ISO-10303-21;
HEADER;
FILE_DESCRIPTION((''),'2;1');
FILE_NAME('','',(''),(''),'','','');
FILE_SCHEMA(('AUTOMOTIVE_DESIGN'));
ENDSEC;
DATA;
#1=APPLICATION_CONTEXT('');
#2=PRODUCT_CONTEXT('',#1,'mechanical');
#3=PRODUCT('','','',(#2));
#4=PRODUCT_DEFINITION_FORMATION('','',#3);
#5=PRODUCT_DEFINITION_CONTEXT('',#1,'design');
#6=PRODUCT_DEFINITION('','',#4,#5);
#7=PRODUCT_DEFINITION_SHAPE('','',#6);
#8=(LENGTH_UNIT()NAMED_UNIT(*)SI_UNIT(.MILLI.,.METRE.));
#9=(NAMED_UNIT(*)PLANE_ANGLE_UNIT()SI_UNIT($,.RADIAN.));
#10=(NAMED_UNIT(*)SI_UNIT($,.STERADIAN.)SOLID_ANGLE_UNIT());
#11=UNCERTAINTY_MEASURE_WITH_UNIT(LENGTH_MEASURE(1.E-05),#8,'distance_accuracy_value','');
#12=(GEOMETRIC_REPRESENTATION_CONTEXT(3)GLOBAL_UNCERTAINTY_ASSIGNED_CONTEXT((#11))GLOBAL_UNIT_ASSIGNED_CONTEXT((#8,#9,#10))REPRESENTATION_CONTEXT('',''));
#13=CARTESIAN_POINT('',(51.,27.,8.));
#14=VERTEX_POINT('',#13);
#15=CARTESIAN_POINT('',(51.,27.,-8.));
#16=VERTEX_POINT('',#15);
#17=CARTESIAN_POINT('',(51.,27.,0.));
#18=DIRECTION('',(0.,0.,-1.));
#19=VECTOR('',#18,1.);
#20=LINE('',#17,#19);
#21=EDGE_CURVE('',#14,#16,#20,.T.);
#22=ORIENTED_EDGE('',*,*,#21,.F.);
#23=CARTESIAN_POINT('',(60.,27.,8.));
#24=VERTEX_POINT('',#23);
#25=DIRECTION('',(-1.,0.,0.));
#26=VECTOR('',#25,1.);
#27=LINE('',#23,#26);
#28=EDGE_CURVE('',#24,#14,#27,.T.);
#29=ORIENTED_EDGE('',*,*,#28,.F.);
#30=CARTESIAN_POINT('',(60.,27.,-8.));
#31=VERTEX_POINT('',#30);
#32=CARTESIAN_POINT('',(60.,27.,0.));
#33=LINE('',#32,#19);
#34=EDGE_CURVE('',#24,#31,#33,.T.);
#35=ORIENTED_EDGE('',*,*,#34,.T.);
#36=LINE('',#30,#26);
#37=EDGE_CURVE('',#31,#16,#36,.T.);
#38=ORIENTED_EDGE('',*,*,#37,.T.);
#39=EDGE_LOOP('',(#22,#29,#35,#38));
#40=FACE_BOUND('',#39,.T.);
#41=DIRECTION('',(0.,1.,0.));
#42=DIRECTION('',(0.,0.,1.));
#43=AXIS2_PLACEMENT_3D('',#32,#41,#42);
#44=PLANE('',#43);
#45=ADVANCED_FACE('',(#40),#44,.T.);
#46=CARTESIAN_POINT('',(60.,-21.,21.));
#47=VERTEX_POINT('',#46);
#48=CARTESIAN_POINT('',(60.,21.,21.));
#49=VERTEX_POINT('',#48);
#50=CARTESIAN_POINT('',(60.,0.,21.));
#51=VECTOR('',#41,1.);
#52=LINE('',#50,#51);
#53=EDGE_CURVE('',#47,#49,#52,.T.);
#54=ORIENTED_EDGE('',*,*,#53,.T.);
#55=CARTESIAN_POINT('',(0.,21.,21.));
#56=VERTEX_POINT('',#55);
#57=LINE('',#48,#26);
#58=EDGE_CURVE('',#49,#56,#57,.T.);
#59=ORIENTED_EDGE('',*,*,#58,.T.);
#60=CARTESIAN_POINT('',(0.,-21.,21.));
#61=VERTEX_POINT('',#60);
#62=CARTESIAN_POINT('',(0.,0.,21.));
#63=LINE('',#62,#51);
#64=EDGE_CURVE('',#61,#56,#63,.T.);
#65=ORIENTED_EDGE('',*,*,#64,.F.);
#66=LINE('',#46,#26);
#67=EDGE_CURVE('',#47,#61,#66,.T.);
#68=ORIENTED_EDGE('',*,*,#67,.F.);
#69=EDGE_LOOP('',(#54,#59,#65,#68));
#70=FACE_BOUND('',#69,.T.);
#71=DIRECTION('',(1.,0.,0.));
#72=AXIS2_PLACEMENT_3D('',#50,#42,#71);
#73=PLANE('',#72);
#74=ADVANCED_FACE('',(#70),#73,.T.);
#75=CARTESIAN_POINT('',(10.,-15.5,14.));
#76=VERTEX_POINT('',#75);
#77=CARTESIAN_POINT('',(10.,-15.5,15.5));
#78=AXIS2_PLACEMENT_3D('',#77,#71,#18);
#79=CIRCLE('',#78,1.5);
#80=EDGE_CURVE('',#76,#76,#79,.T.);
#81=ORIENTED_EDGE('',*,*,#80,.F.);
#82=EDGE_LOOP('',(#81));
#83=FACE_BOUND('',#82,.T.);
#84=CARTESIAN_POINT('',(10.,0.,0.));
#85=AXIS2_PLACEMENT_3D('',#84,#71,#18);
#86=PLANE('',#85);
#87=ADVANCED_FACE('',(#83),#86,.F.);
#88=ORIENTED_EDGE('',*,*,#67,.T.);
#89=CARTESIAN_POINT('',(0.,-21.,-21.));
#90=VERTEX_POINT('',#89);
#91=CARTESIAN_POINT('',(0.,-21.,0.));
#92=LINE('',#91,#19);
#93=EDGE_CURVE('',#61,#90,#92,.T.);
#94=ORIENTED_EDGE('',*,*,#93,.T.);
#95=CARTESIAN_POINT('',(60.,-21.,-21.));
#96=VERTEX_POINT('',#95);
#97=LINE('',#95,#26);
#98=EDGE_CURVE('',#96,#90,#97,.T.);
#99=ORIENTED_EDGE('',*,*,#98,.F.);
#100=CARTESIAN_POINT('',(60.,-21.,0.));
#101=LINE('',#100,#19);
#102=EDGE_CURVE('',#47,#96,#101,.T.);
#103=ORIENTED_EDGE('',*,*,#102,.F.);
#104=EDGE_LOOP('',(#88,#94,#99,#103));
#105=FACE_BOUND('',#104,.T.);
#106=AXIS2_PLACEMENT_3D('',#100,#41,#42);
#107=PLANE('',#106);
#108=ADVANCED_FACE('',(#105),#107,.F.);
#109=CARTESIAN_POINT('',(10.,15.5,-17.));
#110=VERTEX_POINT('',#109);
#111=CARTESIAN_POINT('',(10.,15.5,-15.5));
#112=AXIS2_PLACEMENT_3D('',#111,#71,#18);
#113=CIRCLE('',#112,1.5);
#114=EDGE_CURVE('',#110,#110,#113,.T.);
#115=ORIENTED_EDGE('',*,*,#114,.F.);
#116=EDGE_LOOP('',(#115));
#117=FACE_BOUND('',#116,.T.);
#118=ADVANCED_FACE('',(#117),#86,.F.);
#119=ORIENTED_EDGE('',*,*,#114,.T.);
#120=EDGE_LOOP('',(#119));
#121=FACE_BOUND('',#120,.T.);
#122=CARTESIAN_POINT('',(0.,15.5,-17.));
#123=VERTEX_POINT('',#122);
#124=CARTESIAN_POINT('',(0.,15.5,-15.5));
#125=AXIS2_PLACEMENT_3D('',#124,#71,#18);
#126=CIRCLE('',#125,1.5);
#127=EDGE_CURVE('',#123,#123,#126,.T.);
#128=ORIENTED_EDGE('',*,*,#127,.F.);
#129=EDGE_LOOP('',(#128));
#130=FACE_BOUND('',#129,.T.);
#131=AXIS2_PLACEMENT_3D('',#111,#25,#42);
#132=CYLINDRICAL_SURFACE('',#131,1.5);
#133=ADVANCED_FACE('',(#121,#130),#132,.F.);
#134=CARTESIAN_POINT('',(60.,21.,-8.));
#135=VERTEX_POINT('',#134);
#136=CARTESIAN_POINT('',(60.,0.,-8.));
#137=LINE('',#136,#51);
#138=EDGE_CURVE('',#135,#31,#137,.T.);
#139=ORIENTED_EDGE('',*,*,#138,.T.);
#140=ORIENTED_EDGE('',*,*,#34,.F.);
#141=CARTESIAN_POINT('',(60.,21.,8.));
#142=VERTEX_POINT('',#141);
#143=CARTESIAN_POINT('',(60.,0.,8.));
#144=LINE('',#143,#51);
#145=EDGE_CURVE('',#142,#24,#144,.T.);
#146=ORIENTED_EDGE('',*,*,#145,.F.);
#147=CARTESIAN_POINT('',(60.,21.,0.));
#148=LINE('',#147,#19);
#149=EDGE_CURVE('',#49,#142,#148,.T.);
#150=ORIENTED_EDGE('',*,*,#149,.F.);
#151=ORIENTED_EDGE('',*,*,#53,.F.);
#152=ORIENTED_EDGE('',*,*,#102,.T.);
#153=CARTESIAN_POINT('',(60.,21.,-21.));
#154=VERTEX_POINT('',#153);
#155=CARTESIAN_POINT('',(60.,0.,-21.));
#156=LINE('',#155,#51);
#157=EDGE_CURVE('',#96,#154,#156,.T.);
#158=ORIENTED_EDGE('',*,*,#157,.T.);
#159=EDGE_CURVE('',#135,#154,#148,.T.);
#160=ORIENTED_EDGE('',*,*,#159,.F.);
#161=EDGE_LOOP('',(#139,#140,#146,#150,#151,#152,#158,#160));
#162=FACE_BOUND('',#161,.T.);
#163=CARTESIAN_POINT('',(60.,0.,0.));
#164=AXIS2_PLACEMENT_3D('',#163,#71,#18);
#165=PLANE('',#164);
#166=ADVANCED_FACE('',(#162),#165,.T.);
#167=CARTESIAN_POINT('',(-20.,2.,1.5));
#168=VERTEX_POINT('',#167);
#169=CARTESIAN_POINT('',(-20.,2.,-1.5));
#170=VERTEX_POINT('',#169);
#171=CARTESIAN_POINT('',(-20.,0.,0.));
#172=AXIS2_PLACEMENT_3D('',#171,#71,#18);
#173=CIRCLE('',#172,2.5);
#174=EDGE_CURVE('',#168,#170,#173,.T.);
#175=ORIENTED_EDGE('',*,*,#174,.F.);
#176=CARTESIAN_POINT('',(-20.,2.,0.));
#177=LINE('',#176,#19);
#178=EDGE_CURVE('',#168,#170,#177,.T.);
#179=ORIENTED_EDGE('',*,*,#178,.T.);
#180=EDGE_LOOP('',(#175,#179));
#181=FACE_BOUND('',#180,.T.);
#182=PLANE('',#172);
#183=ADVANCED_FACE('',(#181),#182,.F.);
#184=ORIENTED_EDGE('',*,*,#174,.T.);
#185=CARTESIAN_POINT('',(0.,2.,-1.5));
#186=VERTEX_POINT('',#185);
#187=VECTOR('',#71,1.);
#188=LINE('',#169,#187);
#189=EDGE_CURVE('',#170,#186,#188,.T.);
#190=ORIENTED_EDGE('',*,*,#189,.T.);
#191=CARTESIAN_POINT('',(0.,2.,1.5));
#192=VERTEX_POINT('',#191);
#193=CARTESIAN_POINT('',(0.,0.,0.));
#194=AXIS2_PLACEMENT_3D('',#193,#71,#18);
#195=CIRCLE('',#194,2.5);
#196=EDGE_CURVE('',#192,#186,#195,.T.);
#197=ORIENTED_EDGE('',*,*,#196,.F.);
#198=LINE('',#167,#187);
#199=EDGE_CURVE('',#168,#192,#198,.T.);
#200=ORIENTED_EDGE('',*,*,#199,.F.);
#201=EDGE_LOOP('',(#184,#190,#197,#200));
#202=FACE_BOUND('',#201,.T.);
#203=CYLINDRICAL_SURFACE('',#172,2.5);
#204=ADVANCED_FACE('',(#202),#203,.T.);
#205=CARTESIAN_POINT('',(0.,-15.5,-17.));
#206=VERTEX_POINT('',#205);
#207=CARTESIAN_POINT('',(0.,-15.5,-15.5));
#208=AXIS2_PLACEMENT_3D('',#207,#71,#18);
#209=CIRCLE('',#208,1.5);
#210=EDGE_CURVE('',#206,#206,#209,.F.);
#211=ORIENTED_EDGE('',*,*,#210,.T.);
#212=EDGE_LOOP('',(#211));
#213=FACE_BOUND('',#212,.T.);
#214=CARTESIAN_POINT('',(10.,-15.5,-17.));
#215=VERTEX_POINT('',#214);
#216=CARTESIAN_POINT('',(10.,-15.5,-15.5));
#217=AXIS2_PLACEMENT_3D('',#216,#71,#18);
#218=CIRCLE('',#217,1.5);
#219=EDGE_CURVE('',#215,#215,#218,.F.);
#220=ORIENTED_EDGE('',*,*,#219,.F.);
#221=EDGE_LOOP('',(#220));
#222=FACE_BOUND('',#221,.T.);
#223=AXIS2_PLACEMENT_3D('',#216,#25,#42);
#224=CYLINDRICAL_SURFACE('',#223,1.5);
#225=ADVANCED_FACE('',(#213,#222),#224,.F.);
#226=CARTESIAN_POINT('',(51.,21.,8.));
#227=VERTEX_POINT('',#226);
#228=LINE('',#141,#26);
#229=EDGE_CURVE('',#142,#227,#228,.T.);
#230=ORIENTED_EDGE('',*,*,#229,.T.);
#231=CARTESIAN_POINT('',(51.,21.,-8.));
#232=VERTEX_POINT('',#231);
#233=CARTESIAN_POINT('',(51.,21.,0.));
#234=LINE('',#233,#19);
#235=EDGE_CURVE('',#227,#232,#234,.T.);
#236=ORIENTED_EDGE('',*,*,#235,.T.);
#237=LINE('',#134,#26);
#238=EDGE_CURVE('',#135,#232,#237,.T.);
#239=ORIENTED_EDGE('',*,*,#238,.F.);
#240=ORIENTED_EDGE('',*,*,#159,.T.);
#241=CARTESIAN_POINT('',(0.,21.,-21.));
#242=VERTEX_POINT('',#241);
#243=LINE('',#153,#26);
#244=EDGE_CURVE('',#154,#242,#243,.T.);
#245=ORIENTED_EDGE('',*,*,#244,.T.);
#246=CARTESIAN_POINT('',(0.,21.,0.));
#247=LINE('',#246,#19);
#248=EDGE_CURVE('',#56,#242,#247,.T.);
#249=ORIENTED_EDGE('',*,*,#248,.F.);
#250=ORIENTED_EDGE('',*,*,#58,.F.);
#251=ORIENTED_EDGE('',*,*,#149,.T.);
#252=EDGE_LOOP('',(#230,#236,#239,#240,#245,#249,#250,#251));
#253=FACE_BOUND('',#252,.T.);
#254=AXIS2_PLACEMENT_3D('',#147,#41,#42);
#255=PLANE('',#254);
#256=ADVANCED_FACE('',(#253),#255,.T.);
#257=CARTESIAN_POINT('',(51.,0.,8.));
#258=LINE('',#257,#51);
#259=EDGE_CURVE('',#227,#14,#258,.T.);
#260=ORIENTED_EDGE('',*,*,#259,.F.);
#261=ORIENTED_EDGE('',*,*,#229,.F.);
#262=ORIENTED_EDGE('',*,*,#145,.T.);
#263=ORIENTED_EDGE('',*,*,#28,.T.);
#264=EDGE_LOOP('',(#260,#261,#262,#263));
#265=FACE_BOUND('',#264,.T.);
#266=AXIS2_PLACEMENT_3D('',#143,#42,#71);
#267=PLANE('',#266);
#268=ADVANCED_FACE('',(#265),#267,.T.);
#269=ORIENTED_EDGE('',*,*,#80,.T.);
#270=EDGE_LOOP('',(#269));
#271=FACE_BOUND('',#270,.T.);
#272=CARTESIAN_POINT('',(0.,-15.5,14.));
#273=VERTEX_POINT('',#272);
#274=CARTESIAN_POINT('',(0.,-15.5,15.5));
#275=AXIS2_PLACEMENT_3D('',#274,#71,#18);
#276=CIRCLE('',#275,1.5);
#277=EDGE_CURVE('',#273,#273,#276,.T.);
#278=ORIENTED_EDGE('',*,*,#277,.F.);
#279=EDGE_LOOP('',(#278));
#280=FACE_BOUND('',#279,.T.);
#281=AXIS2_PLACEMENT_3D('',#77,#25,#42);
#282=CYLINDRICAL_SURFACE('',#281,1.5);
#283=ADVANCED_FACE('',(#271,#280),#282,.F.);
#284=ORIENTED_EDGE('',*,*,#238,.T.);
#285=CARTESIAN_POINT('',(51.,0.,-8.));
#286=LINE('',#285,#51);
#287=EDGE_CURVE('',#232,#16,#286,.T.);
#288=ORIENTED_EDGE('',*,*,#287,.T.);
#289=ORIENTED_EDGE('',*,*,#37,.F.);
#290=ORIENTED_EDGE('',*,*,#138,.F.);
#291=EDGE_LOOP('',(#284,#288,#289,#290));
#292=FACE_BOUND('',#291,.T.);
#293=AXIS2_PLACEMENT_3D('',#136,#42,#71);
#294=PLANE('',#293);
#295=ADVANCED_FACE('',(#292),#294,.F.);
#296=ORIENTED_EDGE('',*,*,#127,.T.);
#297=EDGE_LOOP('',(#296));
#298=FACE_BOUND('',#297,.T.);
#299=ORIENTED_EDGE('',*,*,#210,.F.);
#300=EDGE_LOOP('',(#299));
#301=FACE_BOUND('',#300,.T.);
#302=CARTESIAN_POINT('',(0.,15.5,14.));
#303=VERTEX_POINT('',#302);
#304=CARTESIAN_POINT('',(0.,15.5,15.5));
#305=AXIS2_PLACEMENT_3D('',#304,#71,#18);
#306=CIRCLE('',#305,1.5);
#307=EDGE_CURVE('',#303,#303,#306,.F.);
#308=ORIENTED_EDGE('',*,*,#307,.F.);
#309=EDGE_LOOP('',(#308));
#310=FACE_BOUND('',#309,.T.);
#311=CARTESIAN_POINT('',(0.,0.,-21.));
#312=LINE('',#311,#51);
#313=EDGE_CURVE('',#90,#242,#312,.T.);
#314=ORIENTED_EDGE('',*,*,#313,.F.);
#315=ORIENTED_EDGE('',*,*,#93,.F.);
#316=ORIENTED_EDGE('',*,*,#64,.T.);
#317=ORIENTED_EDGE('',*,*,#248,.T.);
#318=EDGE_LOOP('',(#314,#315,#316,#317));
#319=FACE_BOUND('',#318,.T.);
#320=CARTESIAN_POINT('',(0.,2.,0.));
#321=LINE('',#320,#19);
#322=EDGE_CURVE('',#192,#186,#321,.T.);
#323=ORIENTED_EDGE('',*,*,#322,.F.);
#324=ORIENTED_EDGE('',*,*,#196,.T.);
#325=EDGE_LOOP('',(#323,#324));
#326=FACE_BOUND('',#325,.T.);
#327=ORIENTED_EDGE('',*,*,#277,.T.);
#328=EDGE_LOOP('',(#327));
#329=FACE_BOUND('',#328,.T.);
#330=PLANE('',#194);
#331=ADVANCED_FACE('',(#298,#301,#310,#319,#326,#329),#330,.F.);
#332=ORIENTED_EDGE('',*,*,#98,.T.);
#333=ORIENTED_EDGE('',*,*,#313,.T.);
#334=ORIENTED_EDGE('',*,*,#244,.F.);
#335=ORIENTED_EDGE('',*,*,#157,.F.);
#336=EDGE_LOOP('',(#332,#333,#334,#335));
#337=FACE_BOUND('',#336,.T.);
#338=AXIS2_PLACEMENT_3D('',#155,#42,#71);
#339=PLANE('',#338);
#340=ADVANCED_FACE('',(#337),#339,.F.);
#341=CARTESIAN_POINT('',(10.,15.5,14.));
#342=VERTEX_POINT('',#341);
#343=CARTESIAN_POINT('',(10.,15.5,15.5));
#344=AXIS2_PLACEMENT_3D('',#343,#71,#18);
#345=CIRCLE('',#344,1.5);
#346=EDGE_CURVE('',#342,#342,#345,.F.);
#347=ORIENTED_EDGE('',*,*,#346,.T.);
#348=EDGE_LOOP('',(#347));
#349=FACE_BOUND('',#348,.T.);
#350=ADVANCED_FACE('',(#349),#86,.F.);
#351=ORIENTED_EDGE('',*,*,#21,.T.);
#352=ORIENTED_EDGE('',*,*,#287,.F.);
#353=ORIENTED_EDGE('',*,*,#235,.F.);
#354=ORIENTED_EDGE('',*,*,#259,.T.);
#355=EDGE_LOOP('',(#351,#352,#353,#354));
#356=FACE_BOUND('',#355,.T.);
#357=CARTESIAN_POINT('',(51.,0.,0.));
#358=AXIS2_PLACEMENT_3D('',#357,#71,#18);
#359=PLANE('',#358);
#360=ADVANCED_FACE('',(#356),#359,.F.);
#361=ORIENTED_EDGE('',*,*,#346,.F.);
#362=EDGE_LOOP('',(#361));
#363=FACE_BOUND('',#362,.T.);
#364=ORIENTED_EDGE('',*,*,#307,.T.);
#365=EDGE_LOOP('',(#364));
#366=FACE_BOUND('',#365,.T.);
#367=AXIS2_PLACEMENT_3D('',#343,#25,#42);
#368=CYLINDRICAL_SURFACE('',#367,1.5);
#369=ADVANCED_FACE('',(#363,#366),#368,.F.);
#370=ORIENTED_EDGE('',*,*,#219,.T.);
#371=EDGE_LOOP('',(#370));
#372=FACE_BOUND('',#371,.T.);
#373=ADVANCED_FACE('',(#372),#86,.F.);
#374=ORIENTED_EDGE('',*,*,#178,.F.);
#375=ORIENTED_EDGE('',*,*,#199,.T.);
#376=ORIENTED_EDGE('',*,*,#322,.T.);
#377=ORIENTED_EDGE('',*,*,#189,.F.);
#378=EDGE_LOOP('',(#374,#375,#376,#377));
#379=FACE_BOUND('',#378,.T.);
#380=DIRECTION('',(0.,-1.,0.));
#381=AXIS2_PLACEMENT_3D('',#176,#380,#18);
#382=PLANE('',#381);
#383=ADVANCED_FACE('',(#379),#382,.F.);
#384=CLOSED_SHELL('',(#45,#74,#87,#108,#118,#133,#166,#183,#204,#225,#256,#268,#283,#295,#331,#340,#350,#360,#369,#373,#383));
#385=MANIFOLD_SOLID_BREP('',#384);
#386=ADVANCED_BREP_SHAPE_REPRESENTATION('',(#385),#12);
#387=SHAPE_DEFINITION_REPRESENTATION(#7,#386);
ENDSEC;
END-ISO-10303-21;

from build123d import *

# Parameters (mm, degrees)
SKETCH_2_W          = 42
SKETCH_2_H          = 42
SKETCH_2_R          = 1.5
EXTRUDE_1_DEPTH     = 60
EXTRUDE_2_DEPTH     = 20
SKETCH_2_4_W        = 16
SKETCH_2_4_H        = 6
EXTRUDE_3_DEPTH     = 60
SKETCH_2_5_W        = 16
SKETCH_2_5_H        = 6
CUT_EXTRUDE_1_DEPTH = 51
SKETCH_2_6_R        = 1.5
EXTRUDE_4_DEPTH     = 60
SKETCH_2_7_R        = 1.5
CUT_EXTRUDE_2_DEPTH = 10


with BuildPart() as part:
    # 草图2 → 凸台-拉伸1 (new body)
    with BuildSketch(Plane(origin=(0, 0, 0), x_dir=(0, 0, -1), z_dir=(1, 0, 0))):
        Rectangle(SKETCH_2_W, SKETCH_2_H)
        with Locations((-15.5, -15.5)):
            Circle(SKETCH_2_R, mode=Mode.SUBTRACT)
        with Locations((15.5, -15.5)):
            Circle(SKETCH_2_R, mode=Mode.SUBTRACT)
        with Locations((-15.5, 15.5)):
            Circle(SKETCH_2_R, mode=Mode.SUBTRACT)
        with Locations((15.5, 15.5)):
            Circle(SKETCH_2_R, mode=Mode.SUBTRACT)
    extrude(amount=EXTRUDE_1_DEPTH)

    # 草图2<3> → 凸台-拉伸2 (add)
    with BuildSketch(Plane(origin=(0, 0, 0), x_dir=(0, 0, -1), z_dir=(1, 0, 0))):
        with BuildLine():
            Line((1.5, 2), (-1.5, 2))
            ThreePointArc((-1.5, 2), (0, -2.5), (1.5, 2))
        make_face()
    extrude(amount=-EXTRUDE_2_DEPTH)

    # 草图2<4> → 凸台-拉伸3 (add)
    with BuildSketch(Plane(origin=(0, 0, 0), x_dir=(0, 0, -1), z_dir=(1, 0, 0))):
        with Locations((0, 24)):
            Rectangle(SKETCH_2_4_W, SKETCH_2_4_H)
    extrude(amount=EXTRUDE_3_DEPTH)

    # 草图2<5> → 切除-拉伸1 (cut)
    with BuildSketch(Plane(origin=(0, 0, 0), x_dir=(0, 0, -1), z_dir=(1, 0, 0))):
        with Locations((0, 24)):
            Rectangle(SKETCH_2_5_W, SKETCH_2_5_H)
    extrude(amount=CUT_EXTRUDE_1_DEPTH, mode=Mode.SUBTRACT)

    # 草图2<6> → 凸台-拉伸4 (add)
    with BuildSketch(Plane(origin=(0, 0, 0), x_dir=(0, 0, -1), z_dir=(1, 0, 0))):
        with Locations((15.5, 15.5)):
            Circle(SKETCH_2_6_R)
        with Locations((15.5, -15.5)):
            Circle(SKETCH_2_6_R)
        with Locations((-15.5, -15.5)):
            Circle(SKETCH_2_6_R)
        with Locations((-15.5, 15.5)):
            Circle(SKETCH_2_6_R)
    extrude(amount=EXTRUDE_4_DEPTH)

    # 草图2<7> → 切除-拉伸2 (cut)
    with BuildSketch(Plane(origin=(0, 0, 0), x_dir=(0, 0, -1), z_dir=(1, 0, 0))):
        with Locations((15.5, 15.5)):
            Circle(SKETCH_2_7_R)
        with Locations((15.5, -15.5)):
            Circle(SKETCH_2_7_R)
        with Locations((-15.5, -15.5)):
            Circle(SKETCH_2_7_R)
        with Locations((-15.5, 15.5)):
            Circle(SKETCH_2_7_R)
    extrude(amount=CUT_EXTRUDE_2_DEPTH, mode=Mode.SUBTRACT)


solid = part.part
